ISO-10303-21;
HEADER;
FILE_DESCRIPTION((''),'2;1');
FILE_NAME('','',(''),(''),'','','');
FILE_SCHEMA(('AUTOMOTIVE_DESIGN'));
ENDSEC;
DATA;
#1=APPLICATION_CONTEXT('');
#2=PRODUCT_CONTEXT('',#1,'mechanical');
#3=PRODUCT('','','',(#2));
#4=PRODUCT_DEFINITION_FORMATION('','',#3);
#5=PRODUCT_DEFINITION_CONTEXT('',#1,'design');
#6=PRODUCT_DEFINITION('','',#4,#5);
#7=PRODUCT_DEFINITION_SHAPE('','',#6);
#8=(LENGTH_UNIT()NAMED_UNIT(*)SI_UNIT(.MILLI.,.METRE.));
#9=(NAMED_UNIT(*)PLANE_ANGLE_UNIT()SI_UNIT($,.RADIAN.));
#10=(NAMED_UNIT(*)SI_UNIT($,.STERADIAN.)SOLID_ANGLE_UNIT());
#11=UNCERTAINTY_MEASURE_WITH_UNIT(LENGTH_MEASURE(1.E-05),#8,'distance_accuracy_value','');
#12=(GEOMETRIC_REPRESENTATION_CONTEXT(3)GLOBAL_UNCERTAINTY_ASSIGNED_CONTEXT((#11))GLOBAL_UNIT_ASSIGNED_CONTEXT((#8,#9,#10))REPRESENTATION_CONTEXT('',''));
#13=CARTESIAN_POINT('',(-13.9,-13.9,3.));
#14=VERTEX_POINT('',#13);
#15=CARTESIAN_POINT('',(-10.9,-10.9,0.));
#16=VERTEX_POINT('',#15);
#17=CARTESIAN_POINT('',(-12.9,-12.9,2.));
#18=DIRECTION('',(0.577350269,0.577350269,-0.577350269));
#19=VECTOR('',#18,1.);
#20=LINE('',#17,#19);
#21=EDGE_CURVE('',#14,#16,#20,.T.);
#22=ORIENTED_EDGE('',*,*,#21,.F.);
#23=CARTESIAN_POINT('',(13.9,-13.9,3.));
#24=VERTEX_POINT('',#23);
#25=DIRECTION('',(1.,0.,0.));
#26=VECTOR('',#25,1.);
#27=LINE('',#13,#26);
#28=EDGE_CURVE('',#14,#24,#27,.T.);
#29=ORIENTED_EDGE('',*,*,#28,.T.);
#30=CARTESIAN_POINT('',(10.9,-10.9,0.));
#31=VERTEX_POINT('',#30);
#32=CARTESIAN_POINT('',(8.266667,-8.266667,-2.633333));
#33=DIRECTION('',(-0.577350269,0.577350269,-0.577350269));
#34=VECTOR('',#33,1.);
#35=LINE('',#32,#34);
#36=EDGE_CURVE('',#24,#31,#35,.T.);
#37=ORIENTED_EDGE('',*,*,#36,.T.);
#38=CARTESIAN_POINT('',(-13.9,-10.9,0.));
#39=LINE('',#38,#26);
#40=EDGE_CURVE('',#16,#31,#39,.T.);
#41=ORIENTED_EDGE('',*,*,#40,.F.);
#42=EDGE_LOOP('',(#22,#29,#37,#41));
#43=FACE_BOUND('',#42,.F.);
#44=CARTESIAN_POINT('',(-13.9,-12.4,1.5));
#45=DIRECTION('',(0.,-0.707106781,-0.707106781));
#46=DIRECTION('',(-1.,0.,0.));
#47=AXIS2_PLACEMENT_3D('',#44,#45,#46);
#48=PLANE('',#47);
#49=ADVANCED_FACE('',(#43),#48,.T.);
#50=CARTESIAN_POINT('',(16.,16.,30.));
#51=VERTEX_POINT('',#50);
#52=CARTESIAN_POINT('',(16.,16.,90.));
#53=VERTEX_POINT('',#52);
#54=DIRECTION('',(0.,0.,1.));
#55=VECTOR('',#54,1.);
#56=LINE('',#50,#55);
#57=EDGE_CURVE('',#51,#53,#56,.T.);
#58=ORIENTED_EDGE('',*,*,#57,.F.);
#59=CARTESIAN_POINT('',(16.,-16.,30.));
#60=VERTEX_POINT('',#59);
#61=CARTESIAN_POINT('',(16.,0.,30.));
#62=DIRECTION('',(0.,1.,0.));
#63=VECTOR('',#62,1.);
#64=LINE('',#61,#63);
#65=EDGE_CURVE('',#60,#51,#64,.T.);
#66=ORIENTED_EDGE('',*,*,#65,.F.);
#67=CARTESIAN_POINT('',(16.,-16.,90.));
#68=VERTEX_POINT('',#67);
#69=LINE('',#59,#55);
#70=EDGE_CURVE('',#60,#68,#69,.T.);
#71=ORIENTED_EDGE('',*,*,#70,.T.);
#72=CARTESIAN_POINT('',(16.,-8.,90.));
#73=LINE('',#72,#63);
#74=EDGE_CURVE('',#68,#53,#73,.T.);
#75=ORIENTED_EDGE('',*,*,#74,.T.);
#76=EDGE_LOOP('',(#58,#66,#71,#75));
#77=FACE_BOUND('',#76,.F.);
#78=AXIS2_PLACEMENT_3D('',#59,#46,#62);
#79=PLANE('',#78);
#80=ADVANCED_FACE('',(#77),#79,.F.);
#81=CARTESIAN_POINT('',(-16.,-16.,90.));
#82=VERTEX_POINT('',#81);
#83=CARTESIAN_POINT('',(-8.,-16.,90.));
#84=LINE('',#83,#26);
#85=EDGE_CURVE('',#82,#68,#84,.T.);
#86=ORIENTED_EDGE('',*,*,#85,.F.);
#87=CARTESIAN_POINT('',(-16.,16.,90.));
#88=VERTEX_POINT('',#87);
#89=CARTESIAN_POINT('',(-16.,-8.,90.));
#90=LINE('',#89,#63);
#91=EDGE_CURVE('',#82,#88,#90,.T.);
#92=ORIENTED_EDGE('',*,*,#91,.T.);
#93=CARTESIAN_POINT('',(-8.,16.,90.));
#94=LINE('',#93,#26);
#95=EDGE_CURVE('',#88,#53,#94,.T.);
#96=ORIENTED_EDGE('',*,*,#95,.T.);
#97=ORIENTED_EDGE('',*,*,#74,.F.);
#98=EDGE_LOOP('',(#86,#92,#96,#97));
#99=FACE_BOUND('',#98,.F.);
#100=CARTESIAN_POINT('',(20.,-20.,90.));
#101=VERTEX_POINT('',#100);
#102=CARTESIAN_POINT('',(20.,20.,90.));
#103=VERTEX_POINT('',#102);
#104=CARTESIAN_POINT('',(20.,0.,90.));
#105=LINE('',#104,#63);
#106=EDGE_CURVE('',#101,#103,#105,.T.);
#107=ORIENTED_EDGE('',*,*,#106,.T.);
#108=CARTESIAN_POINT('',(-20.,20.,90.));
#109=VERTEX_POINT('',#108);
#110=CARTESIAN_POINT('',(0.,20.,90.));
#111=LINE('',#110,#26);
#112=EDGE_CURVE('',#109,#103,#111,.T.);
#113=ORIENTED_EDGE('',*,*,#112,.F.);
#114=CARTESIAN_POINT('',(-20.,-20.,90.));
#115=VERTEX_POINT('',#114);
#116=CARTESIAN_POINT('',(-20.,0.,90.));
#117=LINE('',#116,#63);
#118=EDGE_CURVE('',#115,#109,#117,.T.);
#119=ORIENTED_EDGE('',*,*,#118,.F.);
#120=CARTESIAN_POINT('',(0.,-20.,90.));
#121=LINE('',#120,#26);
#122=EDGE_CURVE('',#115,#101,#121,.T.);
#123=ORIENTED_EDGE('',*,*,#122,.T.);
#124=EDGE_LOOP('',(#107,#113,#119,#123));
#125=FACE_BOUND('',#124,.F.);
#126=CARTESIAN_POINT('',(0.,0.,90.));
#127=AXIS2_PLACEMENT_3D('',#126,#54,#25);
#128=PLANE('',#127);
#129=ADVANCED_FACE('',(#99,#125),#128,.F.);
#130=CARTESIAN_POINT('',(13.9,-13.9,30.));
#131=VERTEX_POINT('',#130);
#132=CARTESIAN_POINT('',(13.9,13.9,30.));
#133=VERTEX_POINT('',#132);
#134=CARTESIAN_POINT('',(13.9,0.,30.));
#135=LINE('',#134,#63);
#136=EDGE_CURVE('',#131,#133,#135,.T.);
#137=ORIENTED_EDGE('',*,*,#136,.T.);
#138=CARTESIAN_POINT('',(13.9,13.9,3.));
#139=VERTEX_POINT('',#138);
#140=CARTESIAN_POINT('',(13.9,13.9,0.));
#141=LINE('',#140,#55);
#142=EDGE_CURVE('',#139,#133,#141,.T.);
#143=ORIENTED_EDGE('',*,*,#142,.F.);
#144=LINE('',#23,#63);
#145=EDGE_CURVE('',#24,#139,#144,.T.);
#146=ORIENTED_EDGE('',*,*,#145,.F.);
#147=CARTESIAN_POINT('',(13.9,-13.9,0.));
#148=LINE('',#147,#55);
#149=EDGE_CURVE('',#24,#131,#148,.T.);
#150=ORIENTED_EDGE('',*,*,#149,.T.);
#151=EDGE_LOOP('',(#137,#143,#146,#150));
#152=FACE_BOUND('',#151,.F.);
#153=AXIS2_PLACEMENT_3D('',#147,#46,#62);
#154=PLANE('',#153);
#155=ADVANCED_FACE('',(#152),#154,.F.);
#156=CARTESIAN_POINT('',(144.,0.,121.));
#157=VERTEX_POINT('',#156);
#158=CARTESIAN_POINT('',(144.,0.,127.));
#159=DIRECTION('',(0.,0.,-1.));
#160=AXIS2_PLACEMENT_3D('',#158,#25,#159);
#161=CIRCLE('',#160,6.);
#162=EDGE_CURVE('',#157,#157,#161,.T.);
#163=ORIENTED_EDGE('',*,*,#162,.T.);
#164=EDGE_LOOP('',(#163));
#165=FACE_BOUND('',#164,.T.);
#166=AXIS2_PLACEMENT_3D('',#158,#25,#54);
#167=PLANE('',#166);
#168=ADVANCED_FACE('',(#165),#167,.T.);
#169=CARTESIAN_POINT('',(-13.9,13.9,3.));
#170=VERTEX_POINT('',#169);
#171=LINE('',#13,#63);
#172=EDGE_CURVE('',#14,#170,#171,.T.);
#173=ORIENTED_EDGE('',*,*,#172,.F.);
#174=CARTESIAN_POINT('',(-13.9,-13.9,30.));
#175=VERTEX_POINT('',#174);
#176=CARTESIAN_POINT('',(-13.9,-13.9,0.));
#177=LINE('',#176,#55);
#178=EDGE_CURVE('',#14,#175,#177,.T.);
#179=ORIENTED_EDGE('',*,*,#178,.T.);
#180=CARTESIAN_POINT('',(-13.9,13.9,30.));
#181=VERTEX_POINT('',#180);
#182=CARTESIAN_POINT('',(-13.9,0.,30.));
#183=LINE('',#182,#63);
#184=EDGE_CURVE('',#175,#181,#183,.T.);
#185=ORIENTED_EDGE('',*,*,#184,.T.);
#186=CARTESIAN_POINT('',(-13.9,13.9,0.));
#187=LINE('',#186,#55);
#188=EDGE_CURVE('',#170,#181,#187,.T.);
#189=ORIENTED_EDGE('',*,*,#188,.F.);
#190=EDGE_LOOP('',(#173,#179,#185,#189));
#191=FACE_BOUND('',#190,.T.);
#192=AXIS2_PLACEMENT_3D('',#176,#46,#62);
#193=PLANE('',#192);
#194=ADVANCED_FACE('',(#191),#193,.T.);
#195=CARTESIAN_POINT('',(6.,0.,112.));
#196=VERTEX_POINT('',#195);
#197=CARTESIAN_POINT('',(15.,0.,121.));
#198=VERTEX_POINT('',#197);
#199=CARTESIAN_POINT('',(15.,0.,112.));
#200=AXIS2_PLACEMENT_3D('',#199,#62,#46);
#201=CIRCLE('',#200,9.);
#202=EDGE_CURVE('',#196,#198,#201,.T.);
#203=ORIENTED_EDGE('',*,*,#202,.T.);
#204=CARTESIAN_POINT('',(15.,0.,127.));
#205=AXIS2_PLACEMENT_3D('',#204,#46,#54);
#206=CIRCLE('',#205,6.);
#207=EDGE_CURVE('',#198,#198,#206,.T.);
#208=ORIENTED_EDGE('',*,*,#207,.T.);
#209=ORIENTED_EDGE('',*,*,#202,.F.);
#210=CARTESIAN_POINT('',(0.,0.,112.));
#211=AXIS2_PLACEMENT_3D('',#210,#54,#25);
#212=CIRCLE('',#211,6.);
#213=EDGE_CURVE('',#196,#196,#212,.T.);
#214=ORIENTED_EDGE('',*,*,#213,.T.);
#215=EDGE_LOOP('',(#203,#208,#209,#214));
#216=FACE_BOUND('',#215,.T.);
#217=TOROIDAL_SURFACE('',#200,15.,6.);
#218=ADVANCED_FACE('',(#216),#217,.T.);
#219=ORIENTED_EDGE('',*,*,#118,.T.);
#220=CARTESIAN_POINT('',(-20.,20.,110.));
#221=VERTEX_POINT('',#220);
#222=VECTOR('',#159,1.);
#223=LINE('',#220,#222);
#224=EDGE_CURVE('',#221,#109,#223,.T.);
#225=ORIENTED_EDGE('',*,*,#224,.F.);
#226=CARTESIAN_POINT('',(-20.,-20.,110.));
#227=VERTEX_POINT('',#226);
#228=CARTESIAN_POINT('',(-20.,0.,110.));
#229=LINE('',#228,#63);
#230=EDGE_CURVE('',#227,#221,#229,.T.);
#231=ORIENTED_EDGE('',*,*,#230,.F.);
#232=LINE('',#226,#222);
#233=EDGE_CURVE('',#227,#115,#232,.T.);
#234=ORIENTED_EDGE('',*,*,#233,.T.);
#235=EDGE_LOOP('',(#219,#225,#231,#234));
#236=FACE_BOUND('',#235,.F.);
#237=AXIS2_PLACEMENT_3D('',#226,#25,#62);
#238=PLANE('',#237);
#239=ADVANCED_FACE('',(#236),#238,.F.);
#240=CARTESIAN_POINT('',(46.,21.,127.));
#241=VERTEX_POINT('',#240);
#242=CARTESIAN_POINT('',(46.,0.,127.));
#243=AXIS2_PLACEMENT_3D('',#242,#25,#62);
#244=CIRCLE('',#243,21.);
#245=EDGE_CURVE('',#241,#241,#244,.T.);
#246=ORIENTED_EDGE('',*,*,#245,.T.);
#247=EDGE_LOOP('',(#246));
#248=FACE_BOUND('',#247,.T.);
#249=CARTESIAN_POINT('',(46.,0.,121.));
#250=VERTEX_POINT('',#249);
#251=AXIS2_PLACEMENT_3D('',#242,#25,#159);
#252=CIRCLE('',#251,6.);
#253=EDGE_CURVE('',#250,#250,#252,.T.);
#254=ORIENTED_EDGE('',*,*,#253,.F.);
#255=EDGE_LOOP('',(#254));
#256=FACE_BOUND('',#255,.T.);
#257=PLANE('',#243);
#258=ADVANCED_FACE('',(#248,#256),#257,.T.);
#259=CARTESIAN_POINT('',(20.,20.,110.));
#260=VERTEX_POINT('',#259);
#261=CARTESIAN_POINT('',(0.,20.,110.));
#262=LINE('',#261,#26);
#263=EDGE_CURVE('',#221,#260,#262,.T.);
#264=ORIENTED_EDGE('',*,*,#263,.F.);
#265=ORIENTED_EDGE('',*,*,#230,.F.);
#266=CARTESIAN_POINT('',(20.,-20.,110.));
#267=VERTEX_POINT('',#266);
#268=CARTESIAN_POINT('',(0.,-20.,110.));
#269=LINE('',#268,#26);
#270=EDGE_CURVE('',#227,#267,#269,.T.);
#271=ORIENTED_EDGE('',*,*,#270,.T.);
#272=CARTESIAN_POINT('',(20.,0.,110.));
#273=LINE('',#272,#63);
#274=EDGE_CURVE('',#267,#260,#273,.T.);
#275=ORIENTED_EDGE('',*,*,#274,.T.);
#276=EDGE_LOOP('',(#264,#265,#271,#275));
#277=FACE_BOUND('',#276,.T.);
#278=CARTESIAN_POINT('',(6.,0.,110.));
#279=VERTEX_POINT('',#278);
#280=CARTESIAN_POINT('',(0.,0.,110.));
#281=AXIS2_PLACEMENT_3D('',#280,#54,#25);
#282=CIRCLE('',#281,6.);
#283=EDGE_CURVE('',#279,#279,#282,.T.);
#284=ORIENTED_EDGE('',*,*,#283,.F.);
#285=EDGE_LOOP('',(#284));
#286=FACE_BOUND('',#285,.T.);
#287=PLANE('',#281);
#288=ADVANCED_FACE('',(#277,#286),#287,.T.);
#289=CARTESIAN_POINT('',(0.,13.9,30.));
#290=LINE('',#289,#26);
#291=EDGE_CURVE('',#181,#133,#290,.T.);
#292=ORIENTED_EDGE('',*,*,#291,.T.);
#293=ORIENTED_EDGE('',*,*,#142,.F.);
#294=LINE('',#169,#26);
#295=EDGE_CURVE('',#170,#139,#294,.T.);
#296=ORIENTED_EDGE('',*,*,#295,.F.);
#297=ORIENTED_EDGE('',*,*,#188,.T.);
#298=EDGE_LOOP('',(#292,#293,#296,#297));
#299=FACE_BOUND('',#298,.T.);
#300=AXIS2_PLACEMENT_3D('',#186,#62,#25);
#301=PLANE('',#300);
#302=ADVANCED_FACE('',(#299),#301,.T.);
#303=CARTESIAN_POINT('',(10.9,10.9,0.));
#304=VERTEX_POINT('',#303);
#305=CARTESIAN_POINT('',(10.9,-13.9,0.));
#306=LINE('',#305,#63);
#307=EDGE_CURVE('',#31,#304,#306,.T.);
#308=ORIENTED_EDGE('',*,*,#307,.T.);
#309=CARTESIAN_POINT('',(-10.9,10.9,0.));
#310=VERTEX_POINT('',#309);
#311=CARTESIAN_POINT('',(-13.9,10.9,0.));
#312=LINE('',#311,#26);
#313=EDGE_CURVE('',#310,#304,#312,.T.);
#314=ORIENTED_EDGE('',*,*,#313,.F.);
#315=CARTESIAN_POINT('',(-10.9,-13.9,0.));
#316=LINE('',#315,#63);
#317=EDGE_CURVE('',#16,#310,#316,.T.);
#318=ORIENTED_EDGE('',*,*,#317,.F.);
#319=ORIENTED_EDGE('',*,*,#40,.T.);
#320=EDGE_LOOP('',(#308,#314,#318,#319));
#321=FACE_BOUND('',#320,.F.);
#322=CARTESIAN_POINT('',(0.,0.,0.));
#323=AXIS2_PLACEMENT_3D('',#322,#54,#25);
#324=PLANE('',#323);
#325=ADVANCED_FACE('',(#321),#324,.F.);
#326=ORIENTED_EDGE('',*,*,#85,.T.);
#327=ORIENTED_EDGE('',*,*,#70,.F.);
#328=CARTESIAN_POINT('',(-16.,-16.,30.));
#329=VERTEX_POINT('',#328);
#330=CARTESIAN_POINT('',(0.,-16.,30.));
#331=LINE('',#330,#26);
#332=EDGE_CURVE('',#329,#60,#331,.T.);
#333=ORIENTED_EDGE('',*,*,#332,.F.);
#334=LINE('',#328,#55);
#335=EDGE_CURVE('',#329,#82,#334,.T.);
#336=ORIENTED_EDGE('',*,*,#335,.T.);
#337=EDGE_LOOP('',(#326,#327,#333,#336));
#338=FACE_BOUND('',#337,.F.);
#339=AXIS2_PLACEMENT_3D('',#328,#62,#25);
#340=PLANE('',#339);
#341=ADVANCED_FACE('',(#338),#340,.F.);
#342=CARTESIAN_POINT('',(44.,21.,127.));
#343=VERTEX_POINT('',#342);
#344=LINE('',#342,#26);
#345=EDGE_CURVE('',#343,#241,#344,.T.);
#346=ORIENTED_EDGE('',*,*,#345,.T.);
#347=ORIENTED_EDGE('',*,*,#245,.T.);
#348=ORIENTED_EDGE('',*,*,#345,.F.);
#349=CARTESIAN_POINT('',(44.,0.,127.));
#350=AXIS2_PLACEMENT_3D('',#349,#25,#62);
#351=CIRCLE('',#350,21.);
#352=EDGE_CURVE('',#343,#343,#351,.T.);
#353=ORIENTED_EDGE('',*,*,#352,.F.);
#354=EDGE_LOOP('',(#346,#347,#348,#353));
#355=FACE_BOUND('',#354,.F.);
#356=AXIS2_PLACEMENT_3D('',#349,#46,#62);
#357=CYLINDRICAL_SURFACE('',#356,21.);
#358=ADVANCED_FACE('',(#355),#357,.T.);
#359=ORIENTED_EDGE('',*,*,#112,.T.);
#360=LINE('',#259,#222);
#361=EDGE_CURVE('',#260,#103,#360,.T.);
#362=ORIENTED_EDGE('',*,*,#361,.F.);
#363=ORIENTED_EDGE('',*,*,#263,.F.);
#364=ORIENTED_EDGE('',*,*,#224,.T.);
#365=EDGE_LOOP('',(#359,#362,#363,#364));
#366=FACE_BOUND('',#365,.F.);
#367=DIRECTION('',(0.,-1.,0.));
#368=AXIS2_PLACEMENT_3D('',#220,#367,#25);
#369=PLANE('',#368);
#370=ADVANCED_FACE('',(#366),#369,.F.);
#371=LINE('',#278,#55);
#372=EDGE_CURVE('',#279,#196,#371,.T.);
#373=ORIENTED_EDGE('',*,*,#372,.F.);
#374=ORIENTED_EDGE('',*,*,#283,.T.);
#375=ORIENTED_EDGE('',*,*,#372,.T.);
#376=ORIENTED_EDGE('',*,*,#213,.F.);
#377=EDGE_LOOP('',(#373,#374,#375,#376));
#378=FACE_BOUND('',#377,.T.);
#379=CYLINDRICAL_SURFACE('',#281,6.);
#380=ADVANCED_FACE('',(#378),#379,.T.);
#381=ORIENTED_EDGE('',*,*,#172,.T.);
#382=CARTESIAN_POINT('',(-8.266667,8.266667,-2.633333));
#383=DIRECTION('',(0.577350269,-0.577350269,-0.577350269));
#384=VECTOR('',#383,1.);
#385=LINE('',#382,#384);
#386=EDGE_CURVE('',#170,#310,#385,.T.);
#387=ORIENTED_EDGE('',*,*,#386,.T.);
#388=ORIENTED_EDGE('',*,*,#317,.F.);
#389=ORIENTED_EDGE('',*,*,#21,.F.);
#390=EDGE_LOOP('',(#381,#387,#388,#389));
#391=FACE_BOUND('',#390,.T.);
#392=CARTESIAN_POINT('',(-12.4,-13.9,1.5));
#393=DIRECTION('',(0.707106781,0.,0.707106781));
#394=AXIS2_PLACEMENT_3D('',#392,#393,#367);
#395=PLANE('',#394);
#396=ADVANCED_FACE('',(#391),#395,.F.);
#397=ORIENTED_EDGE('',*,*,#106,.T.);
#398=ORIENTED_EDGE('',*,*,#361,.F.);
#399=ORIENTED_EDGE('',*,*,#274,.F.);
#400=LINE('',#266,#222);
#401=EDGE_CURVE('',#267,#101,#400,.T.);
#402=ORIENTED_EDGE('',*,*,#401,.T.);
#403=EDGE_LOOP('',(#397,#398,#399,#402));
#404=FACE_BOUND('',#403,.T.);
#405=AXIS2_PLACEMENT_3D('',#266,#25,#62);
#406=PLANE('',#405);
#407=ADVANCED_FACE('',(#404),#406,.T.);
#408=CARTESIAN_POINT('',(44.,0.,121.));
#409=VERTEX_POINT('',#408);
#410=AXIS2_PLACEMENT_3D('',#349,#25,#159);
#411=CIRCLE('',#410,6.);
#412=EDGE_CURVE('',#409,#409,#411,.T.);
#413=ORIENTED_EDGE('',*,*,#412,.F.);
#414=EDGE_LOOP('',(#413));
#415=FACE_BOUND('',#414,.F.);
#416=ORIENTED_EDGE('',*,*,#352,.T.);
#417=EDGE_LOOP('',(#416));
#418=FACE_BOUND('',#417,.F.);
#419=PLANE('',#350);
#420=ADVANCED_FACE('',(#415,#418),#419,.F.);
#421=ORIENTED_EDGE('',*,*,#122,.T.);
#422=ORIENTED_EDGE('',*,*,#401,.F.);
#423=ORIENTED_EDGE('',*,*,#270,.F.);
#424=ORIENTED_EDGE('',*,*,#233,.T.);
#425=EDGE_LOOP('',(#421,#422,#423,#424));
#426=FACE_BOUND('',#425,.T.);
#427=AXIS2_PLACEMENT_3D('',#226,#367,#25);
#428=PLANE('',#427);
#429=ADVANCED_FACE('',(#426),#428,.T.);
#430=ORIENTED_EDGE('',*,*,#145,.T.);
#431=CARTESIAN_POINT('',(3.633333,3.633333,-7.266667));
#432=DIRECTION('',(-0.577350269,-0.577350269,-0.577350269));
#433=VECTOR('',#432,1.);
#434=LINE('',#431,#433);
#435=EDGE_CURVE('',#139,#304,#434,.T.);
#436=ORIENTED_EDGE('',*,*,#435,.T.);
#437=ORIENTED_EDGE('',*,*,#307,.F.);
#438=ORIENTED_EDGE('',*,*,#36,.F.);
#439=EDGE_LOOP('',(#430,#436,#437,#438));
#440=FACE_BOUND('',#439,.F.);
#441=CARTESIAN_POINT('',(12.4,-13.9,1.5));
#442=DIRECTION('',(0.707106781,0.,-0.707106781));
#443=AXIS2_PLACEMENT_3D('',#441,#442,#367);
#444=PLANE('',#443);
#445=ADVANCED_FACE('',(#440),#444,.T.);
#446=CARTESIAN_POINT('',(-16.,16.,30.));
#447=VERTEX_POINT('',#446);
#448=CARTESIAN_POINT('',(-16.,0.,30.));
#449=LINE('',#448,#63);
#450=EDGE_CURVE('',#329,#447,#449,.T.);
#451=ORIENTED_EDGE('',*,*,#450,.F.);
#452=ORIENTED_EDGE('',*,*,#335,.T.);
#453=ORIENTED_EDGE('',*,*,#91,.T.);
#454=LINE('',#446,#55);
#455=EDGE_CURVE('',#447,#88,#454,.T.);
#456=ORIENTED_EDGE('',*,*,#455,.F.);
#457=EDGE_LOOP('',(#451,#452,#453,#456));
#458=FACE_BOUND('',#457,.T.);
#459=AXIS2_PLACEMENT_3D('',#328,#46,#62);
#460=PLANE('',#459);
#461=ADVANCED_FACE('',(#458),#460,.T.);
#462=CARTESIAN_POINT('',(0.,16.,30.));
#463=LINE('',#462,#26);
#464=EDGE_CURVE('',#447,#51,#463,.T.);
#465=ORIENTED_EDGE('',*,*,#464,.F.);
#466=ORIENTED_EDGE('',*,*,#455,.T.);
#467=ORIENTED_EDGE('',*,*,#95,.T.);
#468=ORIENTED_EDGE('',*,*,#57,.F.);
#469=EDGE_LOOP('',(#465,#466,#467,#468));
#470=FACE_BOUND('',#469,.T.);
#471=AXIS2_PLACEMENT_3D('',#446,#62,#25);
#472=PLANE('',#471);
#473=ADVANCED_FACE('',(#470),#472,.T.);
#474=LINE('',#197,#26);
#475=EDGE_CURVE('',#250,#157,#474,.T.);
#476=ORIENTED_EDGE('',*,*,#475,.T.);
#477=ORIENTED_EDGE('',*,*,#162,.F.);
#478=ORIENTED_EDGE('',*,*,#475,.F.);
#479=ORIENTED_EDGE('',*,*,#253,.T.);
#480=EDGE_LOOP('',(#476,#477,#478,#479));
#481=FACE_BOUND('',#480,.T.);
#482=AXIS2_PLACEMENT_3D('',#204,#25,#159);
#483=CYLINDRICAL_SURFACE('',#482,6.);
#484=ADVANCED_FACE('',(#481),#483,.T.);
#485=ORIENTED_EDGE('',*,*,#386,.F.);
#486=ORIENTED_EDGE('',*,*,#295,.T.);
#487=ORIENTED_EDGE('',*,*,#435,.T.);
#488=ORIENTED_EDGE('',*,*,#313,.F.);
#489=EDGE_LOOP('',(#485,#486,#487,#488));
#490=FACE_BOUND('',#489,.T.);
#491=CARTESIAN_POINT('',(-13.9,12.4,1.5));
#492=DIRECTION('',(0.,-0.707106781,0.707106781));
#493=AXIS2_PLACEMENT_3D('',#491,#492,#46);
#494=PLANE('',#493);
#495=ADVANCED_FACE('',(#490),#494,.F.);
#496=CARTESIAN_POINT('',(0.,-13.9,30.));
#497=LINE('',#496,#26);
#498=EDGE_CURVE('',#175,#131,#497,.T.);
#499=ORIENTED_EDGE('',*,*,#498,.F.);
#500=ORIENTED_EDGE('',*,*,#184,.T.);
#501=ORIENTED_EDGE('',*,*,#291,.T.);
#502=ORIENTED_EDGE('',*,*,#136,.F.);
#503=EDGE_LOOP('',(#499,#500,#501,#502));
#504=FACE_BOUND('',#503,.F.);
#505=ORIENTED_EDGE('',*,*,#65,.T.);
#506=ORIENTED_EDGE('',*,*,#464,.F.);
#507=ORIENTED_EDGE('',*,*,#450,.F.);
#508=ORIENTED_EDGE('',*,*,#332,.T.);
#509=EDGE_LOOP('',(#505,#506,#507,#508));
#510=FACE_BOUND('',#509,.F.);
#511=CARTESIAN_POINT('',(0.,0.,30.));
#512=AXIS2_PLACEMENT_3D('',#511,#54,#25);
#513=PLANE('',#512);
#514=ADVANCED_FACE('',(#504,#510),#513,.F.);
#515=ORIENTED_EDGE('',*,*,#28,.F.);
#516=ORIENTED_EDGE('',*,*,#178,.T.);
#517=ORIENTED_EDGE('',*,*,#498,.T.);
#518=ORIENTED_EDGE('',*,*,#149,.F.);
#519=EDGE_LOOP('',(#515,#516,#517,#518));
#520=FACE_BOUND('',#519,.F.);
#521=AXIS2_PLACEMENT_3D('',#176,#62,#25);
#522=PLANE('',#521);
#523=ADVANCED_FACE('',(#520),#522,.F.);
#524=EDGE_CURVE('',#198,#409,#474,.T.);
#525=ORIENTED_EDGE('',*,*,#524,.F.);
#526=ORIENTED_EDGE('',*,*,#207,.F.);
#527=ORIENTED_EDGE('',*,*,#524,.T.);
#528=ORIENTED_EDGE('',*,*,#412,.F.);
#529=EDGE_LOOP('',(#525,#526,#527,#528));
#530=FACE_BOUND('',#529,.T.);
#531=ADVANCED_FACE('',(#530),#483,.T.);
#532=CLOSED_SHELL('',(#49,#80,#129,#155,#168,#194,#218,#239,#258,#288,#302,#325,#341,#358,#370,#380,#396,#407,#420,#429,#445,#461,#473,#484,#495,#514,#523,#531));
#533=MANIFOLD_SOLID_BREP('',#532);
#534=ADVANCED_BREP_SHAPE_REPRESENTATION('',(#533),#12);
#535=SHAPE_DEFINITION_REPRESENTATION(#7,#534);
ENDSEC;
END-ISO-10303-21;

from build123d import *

# Parameters (mm, degrees)
F0_W      = 27.8
F0_H      = 27.8
F1_DEPTH  = 30
F2_W      = 32
F2_H      = 32
F2_W_2    = 27.8
F2_H_2    = 27.8
F3_DEPTH  = 80
F4_W      = 40
F4_H      = 40
F5_DEPTH  = 20
F7_R      = 6
F10_R     = 21
F11_DEPTH = 2
F12_SIZE  = 3


with BuildPart() as f1:
    # F0 (on Top) → F1 (new body)
    with BuildSketch(Plane.XY):
        Rectangle(F0_W, F0_H)
    extrude(amount=F1_DEPTH)

    # F2 (on face) → F3 (join)
    with BuildSketch(Plane.XY.offset(30)):
        Rectangle(F2_W, F2_H)
        Rectangle(F2_W_2, F2_H_2, mode=Mode.SUBTRACT)
        Rectangle(F2_W_2, F2_H_2)
    extrude(amount=F3_DEPTH)

    # F4 (on face) → F5 (join)
    with BuildSketch(Plane.XY.offset(110)):
        Rectangle(F4_W, F4_H)
    extrude(amount=-F5_DEPTH)

    # F8: sweep along a path in F6
    with BuildLine(Plane.XZ) as f8_path:
        Line((0, 110), (0, 112))
        ThreePointArc((0, 112), (4.3933982822, 122.6066017178), (15, 127))
        Line((15, 127), (144, 127))
    # F7 (on face) → F8 (sweep)
    with BuildSketch(Plane.XY.offset(110)):
        Circle(F7_R)
    sweep(path=f8_path.line)

    # F10 (on offset) → F11 (join)
    with BuildSketch(Plane.YZ.offset(44)):
        with Locations((0, 127)):
            Circle(F10_R)
    extrude(amount=F11_DEPTH)

    # F12
    f12_edges = [f1.edges().sort_by_distance(p)[0] for p in [
        (0, -13.9, 0),
        (13.9, 0, 0),
        (0, 13.9, 0),
        (-13.9, 0, 0),
    ]]
    chamfer(f12_edges, length=F12_SIZE)


solid = f1.part
